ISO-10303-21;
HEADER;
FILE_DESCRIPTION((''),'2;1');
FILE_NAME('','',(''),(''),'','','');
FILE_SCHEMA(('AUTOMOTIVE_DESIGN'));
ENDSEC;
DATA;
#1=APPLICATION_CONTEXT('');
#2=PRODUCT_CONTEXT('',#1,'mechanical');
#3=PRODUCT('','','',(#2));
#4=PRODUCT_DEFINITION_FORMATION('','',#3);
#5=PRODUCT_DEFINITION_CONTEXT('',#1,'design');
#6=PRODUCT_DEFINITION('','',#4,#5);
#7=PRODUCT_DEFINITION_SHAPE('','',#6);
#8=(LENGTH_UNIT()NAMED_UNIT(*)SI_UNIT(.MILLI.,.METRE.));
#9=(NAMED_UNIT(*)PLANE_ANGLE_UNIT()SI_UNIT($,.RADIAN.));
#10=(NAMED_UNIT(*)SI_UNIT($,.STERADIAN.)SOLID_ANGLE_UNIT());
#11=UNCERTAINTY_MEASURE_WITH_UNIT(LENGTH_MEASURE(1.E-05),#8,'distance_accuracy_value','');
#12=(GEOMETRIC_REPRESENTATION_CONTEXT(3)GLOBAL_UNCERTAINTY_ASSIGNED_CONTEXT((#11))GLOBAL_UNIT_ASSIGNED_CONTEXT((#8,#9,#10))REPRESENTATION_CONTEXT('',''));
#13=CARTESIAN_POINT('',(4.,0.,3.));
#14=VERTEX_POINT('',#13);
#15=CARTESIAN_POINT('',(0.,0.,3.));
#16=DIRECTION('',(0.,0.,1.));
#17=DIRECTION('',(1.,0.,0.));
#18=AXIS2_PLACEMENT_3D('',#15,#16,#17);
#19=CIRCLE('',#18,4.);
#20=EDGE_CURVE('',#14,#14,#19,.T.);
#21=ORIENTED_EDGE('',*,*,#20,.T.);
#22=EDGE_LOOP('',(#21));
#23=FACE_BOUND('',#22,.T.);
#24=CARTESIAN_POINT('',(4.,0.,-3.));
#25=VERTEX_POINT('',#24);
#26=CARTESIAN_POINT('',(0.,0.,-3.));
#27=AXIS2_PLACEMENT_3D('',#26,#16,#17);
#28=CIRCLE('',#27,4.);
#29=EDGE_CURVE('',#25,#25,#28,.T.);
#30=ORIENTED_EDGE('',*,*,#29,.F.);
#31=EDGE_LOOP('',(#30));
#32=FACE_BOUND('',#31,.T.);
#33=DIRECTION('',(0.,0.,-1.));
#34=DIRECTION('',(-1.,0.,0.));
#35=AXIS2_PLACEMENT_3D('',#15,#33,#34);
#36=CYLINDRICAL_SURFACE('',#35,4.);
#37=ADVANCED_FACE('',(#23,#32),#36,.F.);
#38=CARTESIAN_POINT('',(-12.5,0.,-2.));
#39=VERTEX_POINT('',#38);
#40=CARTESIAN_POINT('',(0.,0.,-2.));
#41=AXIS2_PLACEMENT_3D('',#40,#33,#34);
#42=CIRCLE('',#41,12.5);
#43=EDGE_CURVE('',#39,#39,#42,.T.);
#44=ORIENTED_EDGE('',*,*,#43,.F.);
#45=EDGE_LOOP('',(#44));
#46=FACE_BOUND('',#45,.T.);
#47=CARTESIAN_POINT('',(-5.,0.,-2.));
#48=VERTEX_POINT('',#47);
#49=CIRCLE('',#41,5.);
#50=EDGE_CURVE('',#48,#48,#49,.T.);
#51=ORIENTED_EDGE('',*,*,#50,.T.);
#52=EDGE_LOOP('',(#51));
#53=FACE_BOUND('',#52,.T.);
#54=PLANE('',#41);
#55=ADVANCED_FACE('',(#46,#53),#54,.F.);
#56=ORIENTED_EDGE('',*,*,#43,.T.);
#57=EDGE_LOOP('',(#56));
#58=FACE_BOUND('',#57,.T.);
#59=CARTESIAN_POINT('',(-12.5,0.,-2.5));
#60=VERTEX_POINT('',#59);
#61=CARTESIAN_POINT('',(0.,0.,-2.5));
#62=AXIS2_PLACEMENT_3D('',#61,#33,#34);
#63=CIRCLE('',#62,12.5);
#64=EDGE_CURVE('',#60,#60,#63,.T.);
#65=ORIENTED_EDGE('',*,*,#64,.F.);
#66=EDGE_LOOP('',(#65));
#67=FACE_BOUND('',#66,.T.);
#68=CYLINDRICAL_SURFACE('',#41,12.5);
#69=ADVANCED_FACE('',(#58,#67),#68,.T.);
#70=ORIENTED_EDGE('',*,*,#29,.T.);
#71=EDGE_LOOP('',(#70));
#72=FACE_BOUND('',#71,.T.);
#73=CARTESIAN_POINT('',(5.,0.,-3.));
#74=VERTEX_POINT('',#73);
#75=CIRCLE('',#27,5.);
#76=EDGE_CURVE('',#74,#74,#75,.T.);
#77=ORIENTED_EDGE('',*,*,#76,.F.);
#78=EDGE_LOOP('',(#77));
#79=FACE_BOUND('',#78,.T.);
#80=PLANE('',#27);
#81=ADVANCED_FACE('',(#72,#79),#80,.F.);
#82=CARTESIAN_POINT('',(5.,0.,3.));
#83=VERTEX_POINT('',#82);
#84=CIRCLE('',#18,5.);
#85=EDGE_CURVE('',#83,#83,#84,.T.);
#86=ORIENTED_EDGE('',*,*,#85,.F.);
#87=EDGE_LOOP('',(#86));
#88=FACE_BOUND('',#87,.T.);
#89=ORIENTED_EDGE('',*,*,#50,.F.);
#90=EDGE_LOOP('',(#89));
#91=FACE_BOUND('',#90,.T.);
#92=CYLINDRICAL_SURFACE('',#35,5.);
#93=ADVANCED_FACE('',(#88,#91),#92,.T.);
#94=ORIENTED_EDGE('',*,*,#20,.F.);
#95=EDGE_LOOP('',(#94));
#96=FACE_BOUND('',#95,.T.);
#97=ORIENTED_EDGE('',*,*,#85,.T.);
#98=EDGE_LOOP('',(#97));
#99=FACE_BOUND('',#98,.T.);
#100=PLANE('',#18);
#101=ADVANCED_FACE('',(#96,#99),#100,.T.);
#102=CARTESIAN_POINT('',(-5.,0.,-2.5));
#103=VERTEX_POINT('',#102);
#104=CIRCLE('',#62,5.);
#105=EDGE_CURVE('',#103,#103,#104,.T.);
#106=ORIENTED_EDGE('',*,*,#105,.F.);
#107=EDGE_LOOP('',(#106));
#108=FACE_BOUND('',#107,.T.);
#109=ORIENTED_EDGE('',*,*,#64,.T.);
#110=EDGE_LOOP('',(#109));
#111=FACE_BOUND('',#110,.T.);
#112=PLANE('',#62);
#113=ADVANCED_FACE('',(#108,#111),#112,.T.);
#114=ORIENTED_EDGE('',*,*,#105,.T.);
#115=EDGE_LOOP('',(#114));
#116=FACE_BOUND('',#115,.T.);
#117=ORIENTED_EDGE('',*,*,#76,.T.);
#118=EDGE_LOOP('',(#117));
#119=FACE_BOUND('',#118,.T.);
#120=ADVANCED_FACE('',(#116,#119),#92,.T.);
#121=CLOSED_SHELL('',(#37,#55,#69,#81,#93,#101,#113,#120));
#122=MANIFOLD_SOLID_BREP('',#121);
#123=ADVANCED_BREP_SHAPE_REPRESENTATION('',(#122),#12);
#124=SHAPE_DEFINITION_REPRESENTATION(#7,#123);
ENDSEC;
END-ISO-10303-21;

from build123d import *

# Parameters (mm, degrees)
SKETCH1_R           = 5
SKETCH1_R_2         = 4
BOSS_EXTRUDE1_DEPTH = 3
BOSS_EXTRUDE2_START = -0.5
SKETCH2_R           = 12.5
SKETCH2_R_2         = 5
BOSS_EXTRUDE2_DEPTH = 0.5


with BuildPart() as part:
    # Sketch1 → Boss-Extrude1 (new, symmetric)
    with BuildSketch(Plane.XY):
        Circle(SKETCH1_R)
        Circle(SKETCH1_R_2, mode=Mode.SUBTRACT)
    extrude(amount=BOSS_EXTRUDE1_DEPTH, both=True)

    # Sketch2 → Boss-Extrude2 (add)
    with BuildSketch(Plane(origin=(0, 0, -2.5), x_dir=(-1, 0, 0), z_dir=(0, 0, -1)).offset(BOSS_EXTRUDE2_START)):
        Circle(SKETCH2_R)
        Circle(SKETCH2_R_2, mode=Mode.SUBTRACT)
    extrude(amount=BOSS_EXTRUDE2_DEPTH)


solid = part.part
